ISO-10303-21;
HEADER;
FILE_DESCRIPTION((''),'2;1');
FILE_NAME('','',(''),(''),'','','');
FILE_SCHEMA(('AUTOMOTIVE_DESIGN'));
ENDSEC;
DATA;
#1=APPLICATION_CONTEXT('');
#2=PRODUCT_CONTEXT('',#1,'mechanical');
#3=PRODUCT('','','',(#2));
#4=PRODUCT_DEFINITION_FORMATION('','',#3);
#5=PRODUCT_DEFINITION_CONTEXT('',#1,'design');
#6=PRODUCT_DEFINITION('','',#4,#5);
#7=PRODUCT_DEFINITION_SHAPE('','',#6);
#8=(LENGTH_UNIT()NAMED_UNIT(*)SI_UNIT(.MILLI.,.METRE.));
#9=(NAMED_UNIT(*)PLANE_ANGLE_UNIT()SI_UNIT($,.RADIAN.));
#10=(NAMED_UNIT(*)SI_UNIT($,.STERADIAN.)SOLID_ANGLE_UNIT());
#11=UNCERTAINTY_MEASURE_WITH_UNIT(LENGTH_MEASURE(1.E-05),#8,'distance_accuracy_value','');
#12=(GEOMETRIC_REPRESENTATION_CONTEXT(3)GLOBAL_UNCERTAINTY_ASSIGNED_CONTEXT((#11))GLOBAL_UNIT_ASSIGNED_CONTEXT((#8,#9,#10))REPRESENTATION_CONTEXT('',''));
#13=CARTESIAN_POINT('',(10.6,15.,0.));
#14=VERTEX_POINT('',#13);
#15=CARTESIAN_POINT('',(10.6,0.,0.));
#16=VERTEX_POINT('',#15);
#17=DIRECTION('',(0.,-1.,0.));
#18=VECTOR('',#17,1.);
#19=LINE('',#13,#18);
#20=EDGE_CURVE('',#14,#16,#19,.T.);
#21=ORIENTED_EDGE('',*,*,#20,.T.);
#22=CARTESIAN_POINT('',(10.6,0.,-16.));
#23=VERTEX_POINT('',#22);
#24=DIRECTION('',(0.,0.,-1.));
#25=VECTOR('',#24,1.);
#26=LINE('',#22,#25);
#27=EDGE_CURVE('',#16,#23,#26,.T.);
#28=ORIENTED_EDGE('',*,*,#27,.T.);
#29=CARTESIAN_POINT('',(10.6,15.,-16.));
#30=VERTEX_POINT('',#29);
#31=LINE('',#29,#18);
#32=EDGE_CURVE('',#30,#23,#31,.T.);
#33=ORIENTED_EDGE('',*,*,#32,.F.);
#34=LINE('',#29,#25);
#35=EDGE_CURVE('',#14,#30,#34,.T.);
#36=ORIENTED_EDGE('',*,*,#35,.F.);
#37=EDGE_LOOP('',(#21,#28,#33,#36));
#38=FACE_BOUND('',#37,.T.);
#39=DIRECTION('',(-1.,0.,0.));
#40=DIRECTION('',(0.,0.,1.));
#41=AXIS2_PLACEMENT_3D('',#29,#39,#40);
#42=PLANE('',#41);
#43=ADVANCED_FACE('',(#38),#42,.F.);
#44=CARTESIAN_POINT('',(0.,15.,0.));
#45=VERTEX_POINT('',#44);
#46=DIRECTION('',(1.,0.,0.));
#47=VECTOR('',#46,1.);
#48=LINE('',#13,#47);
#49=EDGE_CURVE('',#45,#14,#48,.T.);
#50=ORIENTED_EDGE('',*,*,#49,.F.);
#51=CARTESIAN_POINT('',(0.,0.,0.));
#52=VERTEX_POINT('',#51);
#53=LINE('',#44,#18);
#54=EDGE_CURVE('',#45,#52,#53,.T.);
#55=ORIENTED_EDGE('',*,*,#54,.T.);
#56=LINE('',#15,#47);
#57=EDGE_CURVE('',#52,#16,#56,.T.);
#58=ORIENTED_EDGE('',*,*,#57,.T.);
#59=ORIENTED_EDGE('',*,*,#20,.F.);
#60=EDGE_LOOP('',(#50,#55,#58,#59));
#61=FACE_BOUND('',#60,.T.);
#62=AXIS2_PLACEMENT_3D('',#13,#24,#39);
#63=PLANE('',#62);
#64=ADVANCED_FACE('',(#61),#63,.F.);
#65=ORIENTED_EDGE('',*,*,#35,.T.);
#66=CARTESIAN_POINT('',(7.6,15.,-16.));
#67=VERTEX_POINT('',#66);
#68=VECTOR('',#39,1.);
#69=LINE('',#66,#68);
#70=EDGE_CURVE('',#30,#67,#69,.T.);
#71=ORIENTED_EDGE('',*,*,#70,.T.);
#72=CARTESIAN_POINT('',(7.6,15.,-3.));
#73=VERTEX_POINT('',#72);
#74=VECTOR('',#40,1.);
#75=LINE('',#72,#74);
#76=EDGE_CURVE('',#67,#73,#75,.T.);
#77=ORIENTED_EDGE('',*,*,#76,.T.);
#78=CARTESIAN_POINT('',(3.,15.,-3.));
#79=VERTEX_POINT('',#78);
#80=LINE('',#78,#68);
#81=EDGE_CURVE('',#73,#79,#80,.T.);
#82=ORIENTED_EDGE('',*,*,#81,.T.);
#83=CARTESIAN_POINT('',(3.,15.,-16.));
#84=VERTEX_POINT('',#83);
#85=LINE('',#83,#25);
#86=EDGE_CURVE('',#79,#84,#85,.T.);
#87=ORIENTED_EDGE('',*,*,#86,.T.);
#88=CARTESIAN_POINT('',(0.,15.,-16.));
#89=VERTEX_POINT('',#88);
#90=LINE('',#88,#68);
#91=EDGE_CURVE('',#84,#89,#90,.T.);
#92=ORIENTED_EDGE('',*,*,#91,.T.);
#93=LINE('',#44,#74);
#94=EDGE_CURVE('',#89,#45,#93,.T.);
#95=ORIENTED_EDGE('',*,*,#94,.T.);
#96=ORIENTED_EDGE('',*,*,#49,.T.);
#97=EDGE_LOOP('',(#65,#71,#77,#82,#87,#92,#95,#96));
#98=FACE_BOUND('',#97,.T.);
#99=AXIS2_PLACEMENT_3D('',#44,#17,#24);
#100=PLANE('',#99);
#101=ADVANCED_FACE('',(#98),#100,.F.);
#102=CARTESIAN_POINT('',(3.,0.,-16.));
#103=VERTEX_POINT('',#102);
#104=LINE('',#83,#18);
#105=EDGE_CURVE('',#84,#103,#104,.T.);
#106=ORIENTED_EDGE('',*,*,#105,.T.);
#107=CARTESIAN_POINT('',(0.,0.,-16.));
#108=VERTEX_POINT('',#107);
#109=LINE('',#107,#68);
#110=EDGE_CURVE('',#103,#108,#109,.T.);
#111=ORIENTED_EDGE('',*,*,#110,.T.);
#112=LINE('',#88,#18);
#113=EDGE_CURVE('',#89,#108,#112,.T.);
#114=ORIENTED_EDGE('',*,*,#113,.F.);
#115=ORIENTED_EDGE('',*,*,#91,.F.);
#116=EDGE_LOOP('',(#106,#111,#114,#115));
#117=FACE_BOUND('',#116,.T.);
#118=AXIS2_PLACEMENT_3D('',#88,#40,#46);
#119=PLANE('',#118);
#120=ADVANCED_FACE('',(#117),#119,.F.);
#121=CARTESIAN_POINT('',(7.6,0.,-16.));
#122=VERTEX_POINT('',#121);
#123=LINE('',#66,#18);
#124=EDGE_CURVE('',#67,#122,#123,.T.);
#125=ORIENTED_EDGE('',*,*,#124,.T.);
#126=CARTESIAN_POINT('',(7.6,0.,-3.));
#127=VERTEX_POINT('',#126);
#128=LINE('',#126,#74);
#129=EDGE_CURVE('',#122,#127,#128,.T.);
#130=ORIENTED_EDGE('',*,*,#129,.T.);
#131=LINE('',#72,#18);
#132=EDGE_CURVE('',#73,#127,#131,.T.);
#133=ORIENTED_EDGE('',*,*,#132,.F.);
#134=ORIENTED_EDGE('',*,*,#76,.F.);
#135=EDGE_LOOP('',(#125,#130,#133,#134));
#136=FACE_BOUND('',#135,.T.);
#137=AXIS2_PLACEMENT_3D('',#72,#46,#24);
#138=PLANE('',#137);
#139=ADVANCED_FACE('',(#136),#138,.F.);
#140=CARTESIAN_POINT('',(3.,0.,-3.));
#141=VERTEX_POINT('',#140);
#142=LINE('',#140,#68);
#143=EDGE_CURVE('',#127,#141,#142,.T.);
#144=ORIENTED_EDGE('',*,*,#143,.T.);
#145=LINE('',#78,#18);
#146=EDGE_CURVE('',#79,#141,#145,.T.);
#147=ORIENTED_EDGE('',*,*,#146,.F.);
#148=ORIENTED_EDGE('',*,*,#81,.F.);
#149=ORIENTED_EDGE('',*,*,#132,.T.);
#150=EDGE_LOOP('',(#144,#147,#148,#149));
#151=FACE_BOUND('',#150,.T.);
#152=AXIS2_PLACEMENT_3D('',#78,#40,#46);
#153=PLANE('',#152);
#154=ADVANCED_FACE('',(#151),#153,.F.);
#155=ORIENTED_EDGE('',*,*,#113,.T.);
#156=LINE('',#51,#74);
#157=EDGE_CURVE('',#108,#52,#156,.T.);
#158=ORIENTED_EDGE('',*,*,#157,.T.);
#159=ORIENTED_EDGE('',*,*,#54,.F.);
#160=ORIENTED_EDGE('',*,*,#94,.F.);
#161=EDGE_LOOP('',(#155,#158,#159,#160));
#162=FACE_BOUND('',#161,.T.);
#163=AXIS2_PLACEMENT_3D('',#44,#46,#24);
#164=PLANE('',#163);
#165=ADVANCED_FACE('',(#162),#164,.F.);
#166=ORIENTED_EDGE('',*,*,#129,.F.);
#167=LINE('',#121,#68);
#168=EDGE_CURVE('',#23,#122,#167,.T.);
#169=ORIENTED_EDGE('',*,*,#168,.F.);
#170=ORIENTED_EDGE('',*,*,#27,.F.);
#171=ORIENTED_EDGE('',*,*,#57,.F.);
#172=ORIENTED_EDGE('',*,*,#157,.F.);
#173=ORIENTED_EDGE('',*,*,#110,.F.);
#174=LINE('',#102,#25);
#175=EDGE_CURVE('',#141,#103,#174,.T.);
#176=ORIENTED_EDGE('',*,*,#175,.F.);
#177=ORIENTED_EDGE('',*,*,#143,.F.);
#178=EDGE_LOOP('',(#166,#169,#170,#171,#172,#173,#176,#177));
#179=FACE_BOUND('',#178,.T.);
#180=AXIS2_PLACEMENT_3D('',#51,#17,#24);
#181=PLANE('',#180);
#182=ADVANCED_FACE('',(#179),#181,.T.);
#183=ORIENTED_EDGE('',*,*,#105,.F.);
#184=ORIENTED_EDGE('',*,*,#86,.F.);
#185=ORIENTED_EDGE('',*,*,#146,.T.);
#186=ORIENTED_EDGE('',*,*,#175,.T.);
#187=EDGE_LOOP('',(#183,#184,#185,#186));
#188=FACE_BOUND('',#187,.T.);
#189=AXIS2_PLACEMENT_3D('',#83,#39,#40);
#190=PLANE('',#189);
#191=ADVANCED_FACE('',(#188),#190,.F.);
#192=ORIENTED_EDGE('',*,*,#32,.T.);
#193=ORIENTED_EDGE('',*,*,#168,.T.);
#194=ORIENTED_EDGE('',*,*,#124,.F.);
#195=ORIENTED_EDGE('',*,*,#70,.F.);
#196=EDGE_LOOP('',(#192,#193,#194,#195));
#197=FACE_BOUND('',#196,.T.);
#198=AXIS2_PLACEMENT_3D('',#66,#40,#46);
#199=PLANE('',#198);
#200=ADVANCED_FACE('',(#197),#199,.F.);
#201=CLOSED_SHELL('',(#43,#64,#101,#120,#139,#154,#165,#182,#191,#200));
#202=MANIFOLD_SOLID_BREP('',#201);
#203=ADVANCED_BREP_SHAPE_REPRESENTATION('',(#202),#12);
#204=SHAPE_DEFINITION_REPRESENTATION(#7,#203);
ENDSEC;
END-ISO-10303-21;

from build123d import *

# Parameters (mm, degrees)
BOSS_EXTRUDE1_DEPTH = 15


with BuildPart() as part:
    # Sketch1 → Boss-Extrude1 (new body)
    with BuildSketch(Plane(origin=(0, 0, 0), x_dir=(1, 0, 0), z_dir=(0, 1, 0))):
        Polygon((0, 0), (0, 16), (3, 16), (3, 3), (7.6, 3), (7.6, 16), (10.6, 16), (10.6, 0), align=None)
    extrude(amount=BOSS_EXTRUDE1_DEPTH)


solid = part.part
